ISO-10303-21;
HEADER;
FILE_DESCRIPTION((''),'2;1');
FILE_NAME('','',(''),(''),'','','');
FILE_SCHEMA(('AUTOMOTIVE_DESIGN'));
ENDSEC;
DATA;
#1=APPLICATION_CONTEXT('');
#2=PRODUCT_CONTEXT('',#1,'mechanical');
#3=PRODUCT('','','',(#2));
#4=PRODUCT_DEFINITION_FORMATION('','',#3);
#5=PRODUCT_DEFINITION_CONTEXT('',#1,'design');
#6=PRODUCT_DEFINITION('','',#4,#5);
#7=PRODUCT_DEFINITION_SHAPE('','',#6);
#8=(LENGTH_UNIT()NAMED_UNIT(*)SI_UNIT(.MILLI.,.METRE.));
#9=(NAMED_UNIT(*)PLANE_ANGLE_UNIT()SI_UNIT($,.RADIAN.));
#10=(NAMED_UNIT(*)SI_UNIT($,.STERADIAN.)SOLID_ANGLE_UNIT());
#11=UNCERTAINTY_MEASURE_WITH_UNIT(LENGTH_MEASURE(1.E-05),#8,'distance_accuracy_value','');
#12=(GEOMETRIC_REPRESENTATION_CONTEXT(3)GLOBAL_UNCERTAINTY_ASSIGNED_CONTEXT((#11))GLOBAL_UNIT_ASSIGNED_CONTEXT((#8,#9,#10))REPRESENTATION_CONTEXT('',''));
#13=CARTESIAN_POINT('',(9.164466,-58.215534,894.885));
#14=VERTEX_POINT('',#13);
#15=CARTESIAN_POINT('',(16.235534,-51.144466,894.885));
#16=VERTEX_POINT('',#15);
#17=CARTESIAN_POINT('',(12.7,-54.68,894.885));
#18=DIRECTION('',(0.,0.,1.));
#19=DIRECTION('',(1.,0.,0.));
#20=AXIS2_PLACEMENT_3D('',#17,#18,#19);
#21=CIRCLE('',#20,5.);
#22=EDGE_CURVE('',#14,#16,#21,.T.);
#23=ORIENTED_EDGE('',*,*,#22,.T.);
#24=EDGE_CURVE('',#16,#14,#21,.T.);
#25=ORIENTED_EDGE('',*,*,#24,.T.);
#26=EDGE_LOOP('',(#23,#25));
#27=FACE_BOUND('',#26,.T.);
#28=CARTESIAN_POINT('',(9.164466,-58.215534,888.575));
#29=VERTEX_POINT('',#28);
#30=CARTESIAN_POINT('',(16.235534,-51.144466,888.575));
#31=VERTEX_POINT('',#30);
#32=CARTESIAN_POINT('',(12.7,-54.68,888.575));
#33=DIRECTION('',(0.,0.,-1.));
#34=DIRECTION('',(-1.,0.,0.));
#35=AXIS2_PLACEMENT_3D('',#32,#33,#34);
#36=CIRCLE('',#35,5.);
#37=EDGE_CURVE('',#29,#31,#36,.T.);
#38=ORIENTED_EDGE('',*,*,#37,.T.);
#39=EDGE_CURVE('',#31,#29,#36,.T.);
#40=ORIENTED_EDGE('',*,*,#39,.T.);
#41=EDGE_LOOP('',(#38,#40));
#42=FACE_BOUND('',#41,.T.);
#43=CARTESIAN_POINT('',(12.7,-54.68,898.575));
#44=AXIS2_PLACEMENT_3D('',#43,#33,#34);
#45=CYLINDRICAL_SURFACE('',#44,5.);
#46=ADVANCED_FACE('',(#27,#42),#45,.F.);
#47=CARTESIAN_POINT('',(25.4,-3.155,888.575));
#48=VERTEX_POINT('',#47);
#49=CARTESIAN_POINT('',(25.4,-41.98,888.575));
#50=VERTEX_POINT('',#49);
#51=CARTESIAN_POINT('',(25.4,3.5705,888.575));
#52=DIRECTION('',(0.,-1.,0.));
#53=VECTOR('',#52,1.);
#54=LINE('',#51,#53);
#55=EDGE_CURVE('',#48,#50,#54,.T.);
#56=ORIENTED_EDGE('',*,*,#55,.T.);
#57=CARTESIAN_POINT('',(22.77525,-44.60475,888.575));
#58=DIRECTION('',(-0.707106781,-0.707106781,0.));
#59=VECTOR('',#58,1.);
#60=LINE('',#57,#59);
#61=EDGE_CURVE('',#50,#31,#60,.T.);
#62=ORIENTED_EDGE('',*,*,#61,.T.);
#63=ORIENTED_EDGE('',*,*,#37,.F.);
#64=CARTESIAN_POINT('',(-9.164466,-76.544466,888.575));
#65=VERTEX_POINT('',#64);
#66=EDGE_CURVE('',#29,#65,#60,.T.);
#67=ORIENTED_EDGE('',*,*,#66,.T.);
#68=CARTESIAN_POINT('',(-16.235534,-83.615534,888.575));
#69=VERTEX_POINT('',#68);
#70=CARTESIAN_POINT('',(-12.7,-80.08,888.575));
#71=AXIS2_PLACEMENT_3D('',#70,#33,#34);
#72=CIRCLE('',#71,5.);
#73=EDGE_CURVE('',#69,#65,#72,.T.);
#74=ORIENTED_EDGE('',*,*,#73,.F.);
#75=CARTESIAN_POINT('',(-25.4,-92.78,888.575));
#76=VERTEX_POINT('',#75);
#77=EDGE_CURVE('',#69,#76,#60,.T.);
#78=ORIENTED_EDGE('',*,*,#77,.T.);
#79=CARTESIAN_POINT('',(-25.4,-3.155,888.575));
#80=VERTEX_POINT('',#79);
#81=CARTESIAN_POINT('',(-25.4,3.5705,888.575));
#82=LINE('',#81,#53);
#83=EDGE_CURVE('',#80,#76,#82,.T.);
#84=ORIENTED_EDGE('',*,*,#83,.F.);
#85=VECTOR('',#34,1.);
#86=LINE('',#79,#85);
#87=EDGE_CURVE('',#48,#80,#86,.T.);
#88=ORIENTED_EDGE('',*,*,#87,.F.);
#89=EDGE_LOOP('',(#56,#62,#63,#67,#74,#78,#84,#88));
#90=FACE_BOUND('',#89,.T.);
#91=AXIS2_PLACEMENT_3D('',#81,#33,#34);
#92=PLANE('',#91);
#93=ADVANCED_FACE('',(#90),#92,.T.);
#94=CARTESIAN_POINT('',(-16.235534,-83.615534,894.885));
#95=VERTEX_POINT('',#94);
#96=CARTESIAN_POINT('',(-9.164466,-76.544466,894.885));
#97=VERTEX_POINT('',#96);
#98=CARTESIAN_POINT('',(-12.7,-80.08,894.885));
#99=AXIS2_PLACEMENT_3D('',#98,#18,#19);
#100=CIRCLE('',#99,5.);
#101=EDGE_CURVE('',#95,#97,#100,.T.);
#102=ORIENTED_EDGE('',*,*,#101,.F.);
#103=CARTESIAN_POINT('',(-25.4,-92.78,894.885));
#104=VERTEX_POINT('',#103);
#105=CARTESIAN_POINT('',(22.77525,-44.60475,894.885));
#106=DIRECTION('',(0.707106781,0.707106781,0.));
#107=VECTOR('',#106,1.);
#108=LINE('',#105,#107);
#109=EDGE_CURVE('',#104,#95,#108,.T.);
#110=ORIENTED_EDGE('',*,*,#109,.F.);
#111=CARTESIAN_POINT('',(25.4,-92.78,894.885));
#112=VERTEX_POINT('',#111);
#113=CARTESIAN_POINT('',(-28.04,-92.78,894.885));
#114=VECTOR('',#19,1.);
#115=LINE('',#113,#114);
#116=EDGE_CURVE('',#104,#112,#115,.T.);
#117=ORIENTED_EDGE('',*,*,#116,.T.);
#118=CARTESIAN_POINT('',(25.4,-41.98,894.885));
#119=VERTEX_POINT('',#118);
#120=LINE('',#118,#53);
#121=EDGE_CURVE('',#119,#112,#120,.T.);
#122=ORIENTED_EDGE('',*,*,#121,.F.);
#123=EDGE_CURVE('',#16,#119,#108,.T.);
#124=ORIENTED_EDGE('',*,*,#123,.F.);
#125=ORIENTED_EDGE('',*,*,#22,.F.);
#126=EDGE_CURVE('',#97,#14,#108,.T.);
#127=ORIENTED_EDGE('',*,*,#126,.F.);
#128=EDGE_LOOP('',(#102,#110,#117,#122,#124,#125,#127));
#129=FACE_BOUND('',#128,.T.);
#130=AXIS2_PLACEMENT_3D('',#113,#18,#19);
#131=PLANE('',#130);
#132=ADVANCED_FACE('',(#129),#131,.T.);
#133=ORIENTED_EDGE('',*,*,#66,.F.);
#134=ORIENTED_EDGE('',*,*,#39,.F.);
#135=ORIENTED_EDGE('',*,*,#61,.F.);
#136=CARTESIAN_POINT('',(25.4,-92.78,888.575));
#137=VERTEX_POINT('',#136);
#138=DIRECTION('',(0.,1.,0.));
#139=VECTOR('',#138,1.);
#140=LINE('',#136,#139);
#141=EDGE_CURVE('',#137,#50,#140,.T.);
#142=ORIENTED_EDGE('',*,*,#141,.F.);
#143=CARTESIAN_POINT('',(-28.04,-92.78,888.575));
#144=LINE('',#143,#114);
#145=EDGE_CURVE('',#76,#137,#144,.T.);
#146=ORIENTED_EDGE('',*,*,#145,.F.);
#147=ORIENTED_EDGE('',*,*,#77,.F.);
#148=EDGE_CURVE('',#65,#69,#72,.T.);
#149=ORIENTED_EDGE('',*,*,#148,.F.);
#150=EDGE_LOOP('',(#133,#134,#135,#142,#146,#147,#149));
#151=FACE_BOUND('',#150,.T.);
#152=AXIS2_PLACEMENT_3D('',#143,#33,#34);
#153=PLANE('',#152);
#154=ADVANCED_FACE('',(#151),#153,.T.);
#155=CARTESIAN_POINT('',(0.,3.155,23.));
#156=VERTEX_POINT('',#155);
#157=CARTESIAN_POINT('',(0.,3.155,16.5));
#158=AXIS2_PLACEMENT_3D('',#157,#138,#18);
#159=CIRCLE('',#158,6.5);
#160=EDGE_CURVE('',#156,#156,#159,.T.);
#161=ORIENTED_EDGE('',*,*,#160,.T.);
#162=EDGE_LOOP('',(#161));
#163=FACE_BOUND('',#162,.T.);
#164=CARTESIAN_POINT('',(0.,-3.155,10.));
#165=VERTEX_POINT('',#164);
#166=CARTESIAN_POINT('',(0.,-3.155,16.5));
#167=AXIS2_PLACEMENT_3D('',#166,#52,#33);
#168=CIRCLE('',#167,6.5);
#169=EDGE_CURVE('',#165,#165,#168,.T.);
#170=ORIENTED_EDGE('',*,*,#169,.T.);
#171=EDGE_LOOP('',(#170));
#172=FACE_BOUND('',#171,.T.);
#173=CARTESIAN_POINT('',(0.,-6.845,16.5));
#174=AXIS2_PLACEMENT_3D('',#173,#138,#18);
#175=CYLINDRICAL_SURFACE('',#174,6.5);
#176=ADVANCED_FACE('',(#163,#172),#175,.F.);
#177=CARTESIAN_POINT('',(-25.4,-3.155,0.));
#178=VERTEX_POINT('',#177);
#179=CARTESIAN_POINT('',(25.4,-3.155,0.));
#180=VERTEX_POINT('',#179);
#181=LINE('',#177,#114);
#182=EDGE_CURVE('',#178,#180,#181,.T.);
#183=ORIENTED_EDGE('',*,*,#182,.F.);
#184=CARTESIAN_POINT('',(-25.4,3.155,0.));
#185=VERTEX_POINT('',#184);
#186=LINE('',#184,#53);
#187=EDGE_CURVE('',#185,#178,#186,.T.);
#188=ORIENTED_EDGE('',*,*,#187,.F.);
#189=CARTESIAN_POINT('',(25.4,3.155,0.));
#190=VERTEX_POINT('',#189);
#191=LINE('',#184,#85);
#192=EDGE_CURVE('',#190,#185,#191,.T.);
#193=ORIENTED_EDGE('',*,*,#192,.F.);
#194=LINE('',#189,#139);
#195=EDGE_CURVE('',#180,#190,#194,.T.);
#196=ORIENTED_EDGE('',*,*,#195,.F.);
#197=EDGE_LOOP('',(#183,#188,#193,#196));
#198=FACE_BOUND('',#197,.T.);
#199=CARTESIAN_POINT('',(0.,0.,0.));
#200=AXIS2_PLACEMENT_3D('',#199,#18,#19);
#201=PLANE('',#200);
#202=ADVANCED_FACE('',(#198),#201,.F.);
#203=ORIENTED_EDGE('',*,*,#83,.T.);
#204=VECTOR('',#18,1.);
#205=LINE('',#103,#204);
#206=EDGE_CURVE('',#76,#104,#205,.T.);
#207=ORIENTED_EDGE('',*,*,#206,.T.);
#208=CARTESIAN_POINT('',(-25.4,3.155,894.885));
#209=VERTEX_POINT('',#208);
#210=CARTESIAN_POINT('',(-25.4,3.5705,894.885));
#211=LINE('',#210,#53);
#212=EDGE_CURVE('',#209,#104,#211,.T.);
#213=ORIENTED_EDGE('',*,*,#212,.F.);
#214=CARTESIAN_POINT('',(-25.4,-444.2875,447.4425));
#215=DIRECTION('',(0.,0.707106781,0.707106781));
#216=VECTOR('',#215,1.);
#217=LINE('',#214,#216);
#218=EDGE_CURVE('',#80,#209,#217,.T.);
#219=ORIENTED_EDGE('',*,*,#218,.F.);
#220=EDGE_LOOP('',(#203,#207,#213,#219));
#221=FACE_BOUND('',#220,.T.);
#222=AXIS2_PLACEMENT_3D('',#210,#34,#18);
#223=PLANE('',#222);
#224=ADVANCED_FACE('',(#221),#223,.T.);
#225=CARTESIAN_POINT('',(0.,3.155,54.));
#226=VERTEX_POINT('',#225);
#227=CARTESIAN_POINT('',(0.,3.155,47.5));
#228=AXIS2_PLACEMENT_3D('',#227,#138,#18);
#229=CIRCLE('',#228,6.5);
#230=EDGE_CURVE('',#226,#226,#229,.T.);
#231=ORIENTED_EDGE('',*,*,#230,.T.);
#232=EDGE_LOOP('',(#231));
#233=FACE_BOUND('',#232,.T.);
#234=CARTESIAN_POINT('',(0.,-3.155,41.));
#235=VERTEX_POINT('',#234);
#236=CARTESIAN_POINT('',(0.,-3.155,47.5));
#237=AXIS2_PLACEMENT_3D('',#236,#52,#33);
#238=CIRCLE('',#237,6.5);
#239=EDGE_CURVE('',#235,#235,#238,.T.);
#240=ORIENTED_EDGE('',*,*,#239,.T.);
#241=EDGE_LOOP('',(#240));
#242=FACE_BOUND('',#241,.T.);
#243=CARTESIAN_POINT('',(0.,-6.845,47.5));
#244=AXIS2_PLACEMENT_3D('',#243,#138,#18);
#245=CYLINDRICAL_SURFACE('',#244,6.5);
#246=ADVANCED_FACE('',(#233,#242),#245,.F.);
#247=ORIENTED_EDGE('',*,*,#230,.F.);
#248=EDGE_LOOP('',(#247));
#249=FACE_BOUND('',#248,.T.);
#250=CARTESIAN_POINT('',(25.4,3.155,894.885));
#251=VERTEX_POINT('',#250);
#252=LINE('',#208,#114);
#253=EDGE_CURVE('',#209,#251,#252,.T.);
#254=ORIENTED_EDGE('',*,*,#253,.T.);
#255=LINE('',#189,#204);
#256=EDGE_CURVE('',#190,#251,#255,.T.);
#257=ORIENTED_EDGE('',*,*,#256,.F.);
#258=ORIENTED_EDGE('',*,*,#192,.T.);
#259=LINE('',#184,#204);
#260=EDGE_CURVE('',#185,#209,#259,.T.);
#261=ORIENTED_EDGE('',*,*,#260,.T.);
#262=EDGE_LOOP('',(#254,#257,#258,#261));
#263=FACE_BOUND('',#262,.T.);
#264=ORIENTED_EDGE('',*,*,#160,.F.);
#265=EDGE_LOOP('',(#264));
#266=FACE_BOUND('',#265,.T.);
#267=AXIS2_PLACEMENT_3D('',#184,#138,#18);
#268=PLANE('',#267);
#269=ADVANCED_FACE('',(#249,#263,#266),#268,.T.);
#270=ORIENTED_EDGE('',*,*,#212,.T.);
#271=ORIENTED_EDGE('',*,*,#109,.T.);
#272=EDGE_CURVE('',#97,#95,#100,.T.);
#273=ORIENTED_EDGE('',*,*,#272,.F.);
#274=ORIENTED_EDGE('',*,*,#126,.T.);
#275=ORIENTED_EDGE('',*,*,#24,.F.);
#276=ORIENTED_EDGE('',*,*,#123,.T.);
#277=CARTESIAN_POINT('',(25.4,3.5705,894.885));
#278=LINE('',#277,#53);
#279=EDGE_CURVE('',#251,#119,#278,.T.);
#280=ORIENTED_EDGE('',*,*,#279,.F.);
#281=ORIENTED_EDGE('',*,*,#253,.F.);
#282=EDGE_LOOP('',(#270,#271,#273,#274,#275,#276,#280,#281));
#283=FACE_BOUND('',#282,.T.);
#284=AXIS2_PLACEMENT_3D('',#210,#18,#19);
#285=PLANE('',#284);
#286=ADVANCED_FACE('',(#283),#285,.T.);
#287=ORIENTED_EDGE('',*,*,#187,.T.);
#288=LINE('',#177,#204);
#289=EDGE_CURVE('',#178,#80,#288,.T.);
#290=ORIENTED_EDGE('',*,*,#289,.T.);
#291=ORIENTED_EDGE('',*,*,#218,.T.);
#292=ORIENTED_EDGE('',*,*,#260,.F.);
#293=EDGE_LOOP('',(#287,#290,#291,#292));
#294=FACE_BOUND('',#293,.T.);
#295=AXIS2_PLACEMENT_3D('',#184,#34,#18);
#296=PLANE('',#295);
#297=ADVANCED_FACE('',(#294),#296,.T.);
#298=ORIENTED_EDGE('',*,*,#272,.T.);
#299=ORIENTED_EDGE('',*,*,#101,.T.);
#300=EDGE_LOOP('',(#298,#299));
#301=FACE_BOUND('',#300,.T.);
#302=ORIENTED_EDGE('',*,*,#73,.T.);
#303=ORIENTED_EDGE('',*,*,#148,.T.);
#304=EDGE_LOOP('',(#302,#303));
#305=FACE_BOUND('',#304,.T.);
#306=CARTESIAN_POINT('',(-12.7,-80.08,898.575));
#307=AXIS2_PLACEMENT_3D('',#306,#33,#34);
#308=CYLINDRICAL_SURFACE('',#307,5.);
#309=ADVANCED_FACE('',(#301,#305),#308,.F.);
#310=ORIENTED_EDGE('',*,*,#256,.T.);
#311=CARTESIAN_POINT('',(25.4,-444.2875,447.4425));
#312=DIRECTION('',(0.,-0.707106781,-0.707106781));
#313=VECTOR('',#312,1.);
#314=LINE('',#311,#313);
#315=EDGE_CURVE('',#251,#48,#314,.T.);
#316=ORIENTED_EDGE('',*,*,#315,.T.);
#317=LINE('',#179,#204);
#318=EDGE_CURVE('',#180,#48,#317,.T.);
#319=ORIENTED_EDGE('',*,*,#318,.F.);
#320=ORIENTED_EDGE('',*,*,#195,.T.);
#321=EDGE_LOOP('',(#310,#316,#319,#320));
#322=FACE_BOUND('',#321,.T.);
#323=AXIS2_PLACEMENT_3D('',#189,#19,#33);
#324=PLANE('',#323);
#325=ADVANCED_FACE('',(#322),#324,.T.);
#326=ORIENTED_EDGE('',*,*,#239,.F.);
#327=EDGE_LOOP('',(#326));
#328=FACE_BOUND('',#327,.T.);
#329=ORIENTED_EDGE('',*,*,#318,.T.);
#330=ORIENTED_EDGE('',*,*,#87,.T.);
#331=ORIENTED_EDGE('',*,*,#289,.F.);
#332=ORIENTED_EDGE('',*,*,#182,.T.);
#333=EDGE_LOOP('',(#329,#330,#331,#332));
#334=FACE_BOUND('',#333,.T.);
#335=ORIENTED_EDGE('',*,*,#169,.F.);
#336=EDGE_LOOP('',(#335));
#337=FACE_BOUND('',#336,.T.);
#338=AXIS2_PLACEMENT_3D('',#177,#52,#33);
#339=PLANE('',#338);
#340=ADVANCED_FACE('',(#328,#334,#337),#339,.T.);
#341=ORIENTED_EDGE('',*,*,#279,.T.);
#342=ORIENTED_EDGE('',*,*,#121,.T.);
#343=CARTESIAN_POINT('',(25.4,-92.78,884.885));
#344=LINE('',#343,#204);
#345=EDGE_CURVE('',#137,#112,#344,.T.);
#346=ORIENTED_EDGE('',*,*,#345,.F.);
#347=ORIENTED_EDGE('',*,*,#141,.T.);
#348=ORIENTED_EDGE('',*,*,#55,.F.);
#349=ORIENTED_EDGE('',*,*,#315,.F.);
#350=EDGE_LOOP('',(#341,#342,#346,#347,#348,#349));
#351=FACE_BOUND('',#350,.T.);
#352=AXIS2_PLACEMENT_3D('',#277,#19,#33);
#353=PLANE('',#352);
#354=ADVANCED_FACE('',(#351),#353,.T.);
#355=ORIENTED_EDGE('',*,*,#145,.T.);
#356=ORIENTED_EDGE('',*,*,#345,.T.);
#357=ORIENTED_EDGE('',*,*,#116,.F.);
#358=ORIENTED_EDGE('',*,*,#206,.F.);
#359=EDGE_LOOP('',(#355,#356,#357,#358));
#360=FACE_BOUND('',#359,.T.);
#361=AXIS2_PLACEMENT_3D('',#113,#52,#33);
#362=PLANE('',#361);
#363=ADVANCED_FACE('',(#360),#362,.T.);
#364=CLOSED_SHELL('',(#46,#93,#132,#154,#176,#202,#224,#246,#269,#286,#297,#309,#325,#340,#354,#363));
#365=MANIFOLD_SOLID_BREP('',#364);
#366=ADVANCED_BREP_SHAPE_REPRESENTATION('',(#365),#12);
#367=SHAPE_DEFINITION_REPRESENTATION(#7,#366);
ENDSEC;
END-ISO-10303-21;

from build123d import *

# Parameters (mm, degrees)
CROQUIS1_W            = 50.8
CROQUIS1_H            = 6.31
CROQUIS2_R            = 6.5
CORTAR_EXTRUIR1_DEPTH = 10
CROQUIS3_R            = 6.5
CORTAR_EXTRUIR2_DEPTH = 10
CROQUIS4_W            = 59.2
CROQUIS4_H            = 50.8
CORTAR_EXTRUIR3_DEPTH = 10
CROQUIS5_R            = 5
CORTAR_EXTRUIR4_DEPTH = 10


with BuildPart() as part:
    # Barrer1: sweep along a curve in space
    with BuildLine() as barrer1_path:
        Line((0, 0, 0), (0, 0, 891.73))
        Line((0, 0, 891.73), (0, -67.38, 891.73))
        Line((0, -67.38, 891.73), (84.6, -67.38, 891.73))
    # Croquis1 → Barrer1 (sweep)
    with BuildSketch(Plane.XY):
        Rectangle(CROQUIS1_W, CROQUIS1_H)
    sweep(path=barrer1_path.line, transition=Transition.RIGHT)

    # Croquis2 → Cortar-Extruir1 (cut)
    with BuildSketch(Plane(origin=(0, 3.155, 0), x_dir=(1, 0, 0), z_dir=(0, 1, 0))):
        with Locations(Location((0, -16.5, 0), (0, 0, 270))):
            Circle(CROQUIS2_R)
        with Locations(Location((0, -47.5, 0), (0, 0, 270))):
            Circle(CROQUIS2_R)
    extrude(amount=-CORTAR_EXTRUIR1_DEPTH, mode=Mode.SUBTRACT)

    # Croquis3 → Cortar-Extruir2 (cut)
    with BuildSketch(Plane(origin=(0, 0, 888.575), x_dir=(-1, 0, 0), z_dir=(0, 0, -1))):
        with Locations((-60, -67.38)):
            Circle(CROQUIS3_R)
    extrude(amount=-CORTAR_EXTRUIR2_DEPTH, mode=Mode.SUBTRACT)

    # Croquis4 → Cortar-Extruir3 (cut)
    with BuildSketch(Plane.XY.offset(894.885)):
        with Locations((55, -67.38)):
            Rectangle(CROQUIS4_W, CROQUIS4_H)
    extrude(amount=-CORTAR_EXTRUIR3_DEPTH, mode=Mode.SUBTRACT)

    # Croquis5 → Cortar-Extruir4 (cut)
    with BuildSketch(Plane(origin=(0, 0, 888.575), x_dir=(-1, 0, 0), z_dir=(0, 0, -1))):
        with Locations(Location((-12.7, -54.68, 0), (0, 0, 315))):
            Circle(CROQUIS5_R)
        with Locations(Location((12.7, -80.08, 0), (0, 0, 315))):
            Circle(CROQUIS5_R)
    extrude(amount=-CORTAR_EXTRUIR4_DEPTH, mode=Mode.SUBTRACT)


solid = part.part
